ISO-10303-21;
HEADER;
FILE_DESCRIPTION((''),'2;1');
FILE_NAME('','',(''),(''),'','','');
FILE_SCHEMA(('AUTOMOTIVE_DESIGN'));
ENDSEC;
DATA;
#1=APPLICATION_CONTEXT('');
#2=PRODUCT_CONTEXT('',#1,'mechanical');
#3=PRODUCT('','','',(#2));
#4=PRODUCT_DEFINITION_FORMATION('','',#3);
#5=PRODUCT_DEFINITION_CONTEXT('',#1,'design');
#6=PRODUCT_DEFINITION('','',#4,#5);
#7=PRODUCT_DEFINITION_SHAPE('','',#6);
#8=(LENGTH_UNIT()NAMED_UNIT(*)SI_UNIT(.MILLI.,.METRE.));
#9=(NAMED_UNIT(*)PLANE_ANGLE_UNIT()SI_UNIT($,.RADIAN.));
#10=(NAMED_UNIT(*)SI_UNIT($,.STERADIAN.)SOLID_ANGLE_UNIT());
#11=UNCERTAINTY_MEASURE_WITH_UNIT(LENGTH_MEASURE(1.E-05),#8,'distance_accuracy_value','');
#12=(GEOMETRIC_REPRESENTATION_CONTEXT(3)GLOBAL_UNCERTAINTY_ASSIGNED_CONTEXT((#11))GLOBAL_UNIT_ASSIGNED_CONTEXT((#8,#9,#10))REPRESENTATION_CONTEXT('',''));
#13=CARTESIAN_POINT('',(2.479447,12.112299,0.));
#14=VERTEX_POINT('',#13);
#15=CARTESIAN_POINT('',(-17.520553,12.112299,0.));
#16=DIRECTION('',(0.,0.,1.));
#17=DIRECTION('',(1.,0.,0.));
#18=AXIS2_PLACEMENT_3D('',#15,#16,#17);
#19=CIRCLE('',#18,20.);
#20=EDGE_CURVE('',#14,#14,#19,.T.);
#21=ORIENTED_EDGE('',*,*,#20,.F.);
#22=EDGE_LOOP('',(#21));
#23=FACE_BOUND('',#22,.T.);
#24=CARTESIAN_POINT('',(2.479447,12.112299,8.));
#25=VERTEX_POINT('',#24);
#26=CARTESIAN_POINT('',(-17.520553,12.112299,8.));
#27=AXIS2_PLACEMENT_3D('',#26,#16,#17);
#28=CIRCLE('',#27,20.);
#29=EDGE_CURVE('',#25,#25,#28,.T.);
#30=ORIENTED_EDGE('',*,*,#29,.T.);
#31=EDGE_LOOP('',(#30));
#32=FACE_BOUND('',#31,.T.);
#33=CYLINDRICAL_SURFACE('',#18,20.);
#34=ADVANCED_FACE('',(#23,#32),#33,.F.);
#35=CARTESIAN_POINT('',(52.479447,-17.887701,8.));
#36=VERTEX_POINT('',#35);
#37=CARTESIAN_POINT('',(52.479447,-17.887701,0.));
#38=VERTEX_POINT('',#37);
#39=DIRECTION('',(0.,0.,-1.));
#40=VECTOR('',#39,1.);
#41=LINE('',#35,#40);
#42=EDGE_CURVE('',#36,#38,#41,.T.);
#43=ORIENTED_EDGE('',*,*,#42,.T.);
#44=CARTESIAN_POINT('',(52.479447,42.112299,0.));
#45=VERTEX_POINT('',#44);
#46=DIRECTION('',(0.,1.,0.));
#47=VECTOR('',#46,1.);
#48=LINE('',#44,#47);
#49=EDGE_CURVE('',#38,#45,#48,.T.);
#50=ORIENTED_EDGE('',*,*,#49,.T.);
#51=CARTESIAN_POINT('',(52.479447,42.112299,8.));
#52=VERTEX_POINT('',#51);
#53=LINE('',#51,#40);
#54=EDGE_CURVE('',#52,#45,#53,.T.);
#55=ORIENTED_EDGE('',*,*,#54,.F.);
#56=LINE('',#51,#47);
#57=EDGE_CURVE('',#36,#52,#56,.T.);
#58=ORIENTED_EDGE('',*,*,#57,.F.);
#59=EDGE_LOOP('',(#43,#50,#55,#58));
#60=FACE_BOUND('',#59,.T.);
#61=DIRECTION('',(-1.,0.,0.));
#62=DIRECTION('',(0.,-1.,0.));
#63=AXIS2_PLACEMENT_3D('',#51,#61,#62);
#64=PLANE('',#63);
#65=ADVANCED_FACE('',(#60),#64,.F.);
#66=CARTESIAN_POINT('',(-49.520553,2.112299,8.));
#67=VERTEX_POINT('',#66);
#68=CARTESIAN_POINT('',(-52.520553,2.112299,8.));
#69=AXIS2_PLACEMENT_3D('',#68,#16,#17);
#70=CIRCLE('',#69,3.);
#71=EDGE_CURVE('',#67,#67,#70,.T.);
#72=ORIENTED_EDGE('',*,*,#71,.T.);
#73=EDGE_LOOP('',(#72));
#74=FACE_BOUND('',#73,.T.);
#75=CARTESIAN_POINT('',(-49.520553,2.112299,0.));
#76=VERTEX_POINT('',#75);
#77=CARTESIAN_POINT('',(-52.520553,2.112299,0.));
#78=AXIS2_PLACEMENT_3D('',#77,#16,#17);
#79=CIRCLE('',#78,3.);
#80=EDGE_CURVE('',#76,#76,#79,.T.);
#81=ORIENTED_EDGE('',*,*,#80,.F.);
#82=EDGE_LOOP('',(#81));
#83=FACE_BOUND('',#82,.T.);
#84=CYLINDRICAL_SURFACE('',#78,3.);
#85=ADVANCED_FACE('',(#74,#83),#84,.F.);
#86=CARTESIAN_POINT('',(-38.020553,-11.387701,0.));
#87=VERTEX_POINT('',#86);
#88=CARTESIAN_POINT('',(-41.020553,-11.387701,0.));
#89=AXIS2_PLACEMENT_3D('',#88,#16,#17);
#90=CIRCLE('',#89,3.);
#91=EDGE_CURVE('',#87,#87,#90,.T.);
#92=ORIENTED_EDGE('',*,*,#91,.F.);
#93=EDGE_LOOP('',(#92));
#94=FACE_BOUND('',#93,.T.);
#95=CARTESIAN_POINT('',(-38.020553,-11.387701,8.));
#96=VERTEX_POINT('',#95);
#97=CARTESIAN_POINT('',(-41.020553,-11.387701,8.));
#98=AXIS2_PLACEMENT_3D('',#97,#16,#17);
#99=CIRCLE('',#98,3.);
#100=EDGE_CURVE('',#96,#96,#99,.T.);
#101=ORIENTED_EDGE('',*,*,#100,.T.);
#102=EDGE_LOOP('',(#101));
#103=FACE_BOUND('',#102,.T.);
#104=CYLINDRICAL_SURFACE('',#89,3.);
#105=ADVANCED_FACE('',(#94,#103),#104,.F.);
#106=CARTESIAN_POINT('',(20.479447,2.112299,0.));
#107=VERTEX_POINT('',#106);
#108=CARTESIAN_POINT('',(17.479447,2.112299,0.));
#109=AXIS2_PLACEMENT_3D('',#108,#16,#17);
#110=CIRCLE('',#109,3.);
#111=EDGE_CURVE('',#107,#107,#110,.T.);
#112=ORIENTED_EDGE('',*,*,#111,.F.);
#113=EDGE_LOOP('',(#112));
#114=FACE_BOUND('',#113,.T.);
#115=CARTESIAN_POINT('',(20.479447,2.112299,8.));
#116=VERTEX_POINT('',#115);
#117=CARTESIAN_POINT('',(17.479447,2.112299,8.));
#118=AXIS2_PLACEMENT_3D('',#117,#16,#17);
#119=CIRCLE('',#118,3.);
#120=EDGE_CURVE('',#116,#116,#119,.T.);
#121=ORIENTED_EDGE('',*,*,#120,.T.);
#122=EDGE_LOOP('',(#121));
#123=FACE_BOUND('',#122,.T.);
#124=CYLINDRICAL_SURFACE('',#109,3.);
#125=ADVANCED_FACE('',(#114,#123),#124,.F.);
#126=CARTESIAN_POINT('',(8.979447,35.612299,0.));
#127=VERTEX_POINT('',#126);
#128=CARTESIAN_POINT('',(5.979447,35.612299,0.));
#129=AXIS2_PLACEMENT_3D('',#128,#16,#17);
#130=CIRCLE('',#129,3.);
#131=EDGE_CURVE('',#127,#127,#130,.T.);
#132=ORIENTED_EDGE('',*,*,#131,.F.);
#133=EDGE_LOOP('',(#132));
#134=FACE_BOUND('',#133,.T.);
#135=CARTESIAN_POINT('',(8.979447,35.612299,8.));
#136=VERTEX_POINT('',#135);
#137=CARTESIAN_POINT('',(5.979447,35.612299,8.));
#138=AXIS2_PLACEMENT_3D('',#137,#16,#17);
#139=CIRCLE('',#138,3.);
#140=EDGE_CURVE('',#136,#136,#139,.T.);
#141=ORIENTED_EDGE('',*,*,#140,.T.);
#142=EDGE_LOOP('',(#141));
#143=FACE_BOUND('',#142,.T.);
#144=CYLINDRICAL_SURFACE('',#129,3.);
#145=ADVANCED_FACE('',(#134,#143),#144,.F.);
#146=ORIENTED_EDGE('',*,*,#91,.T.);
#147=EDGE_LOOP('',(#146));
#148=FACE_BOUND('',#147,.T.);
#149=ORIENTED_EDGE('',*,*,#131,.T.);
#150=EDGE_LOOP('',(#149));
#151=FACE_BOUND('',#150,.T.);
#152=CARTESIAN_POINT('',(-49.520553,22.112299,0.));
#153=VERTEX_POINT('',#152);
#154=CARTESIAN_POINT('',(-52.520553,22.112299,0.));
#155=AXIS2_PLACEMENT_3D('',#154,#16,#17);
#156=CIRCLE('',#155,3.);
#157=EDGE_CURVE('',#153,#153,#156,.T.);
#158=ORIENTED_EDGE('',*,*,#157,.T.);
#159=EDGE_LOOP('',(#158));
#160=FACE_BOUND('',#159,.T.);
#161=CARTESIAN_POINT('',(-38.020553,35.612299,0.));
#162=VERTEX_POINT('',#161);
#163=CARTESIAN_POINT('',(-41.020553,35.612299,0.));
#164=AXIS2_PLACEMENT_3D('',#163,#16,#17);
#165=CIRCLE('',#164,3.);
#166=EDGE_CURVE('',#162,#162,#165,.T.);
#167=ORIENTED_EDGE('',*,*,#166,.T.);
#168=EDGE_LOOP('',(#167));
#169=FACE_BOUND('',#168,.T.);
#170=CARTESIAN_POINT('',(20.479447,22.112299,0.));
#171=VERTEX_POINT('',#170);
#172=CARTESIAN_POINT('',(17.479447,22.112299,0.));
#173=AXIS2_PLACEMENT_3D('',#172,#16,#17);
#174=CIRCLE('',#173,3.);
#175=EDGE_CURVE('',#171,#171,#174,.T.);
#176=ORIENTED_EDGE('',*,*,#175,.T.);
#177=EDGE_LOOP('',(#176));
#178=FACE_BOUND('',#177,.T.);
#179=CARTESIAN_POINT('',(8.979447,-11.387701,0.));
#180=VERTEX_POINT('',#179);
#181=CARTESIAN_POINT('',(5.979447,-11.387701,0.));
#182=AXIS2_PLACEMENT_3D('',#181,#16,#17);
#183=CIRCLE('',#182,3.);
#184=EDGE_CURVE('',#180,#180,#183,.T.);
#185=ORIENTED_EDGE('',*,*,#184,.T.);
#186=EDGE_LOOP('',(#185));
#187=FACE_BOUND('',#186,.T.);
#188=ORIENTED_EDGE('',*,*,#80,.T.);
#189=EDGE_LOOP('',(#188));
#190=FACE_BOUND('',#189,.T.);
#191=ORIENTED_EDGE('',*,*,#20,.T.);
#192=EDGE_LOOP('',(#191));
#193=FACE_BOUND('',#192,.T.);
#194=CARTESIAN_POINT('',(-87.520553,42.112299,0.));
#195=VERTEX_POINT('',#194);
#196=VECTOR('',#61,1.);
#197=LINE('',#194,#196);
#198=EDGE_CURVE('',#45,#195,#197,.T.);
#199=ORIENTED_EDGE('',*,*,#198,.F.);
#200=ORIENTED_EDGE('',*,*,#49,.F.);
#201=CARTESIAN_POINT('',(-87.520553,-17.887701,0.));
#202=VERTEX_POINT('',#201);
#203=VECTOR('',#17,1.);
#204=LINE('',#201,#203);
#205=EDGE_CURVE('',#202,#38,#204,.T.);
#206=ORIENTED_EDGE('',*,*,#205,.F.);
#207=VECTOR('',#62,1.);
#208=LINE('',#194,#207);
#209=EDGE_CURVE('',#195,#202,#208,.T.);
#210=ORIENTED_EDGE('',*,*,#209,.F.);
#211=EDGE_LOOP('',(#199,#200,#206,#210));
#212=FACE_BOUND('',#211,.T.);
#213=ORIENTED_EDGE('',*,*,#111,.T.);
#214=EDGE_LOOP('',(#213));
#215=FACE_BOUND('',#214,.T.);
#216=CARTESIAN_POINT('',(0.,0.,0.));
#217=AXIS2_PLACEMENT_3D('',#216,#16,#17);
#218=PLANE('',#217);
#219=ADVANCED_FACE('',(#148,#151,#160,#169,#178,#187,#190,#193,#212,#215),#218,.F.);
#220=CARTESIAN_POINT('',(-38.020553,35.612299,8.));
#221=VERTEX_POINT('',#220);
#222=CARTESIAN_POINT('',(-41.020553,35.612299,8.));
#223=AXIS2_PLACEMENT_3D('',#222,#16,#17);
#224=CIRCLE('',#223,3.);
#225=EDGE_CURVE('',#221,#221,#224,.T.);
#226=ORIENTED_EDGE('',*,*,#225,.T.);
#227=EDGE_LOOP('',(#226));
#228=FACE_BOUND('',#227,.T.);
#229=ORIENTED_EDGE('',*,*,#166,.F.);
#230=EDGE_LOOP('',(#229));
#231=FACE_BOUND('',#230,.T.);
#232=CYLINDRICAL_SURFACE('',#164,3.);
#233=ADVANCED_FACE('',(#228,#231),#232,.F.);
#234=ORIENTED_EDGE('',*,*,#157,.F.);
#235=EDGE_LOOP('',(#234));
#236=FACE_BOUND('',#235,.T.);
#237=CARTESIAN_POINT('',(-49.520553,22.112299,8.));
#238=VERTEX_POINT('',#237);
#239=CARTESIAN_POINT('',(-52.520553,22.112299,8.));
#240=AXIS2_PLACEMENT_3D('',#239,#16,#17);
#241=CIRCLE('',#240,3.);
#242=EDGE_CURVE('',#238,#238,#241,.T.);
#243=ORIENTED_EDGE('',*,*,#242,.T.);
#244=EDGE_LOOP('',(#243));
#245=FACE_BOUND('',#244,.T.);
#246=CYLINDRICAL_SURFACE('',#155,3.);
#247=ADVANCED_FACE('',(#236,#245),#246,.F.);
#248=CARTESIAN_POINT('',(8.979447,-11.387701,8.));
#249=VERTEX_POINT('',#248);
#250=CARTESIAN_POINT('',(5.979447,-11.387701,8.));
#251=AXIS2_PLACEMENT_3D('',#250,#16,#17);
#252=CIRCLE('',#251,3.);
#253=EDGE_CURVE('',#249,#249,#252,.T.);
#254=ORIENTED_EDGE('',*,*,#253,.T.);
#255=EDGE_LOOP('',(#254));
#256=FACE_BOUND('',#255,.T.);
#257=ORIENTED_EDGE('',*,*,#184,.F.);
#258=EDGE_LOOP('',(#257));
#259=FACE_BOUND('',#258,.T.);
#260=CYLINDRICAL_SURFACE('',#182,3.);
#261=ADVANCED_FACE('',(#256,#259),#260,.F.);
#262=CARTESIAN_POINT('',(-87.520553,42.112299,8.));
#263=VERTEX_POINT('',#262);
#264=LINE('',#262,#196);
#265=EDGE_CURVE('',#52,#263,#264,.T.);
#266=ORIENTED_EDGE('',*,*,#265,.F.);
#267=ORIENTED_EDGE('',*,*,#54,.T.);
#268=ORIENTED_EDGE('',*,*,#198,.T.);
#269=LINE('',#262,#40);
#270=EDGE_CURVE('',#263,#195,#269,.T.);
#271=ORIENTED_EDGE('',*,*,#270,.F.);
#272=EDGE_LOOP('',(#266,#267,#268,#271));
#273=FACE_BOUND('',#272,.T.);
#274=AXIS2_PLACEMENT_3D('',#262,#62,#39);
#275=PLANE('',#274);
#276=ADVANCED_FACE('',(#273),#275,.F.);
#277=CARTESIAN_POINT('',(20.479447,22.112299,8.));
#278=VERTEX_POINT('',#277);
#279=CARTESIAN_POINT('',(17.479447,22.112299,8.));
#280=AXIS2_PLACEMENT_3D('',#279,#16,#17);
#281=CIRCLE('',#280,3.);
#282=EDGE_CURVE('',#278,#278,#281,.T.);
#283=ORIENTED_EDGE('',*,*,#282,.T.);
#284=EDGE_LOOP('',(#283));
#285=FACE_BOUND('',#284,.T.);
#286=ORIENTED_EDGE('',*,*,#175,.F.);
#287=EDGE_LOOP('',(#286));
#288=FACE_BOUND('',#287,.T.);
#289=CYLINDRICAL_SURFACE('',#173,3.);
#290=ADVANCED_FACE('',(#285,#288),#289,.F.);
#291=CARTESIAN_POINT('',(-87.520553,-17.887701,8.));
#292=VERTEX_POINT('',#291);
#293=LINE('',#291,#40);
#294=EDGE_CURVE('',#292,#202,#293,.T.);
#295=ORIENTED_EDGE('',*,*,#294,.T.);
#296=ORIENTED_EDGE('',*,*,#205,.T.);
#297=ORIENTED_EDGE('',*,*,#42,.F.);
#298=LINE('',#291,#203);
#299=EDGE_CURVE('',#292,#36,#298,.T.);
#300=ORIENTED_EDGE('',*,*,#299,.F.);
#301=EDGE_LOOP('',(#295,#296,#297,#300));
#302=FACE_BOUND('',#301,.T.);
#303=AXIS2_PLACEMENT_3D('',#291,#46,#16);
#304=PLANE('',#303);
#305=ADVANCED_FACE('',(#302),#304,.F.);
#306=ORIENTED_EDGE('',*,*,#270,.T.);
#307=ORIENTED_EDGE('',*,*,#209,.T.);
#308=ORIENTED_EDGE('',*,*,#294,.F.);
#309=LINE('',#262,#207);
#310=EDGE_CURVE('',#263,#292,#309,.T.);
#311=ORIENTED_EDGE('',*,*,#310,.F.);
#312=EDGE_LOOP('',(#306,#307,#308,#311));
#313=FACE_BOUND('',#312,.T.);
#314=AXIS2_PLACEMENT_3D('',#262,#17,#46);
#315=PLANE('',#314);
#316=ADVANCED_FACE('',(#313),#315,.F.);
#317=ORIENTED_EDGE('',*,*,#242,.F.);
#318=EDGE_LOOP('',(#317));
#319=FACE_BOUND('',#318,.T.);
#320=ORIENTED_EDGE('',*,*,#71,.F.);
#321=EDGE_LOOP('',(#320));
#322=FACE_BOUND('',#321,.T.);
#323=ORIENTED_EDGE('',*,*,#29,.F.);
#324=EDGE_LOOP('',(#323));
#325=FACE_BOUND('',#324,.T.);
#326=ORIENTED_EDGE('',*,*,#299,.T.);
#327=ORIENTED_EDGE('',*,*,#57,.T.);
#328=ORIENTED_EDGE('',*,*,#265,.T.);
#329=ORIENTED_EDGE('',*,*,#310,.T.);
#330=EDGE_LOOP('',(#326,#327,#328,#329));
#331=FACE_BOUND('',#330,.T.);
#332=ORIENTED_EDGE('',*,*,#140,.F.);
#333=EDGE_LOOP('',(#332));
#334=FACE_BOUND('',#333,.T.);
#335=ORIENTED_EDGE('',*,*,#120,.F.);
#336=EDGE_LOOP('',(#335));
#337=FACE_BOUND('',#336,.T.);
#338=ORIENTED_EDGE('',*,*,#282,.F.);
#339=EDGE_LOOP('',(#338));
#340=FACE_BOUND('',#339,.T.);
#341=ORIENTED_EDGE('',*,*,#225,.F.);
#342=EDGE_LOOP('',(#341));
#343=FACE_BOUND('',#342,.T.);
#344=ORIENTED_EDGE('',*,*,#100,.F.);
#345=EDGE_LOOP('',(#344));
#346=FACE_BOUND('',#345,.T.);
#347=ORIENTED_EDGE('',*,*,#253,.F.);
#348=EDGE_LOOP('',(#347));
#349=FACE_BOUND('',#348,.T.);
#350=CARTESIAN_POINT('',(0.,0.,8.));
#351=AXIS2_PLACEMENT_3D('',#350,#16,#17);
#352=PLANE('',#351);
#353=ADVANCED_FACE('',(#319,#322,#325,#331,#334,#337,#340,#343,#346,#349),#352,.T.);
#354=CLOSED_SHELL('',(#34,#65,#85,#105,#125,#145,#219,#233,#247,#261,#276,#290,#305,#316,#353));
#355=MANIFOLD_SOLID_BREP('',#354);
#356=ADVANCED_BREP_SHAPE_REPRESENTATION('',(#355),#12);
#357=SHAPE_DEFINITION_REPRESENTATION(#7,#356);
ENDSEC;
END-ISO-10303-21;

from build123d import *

# Parameters (mm, degrees)
ESQUISSE1_W             = 140
ESQUISSE1_H             = 60
BOSS_EXTRU_1_DEPTH      = 8
ESQUISSE2_R             = 20
ESQUISSE2_R_2           = 3
ENL_V_MAT_EXTRU_1_DEPTH = 9


with BuildPart() as part:
    # Esquisse1 → Boss.-Extru.1 (new body)
    with BuildSketch(Plane.XY):
        with Locations((-17.520553251, 12.112299465)):
            Rectangle(ESQUISSE1_W, ESQUISSE1_H)
    extrude(amount=BOSS_EXTRU_1_DEPTH)

    # Esquisse2 → Enlèv. mat.-Extru.1 (cut, through all)
    with BuildSketch(Plane.XY.offset(8)):
        with Locations((-17.520553251, 12.112299465)):
            Circle(ESQUISSE2_R)
        with Locations((-41.020553251, 35.612299465)):
            Circle(ESQUISSE2_R_2)
        with Locations((-41.020553251, -11.387700535)):
            Circle(ESQUISSE2_R_2)
        with Locations((5.979446749, 35.612299465)):
            Circle(ESQUISSE2_R_2)
        with Locations((5.979446749, -11.387700535)):
            Circle(ESQUISSE2_R_2)
        with Locations((-52.520553251, 22.112299465)):
            Circle(ESQUISSE2_R_2)
        with Locations((-52.520553251, 2.112299465)):
            Circle(ESQUISSE2_R_2)
        with Locations((17.479446749, 22.112299465)):
            Circle(ESQUISSE2_R_2)
        with Locations((17.479446749, 2.112299465)):
            Circle(ESQUISSE2_R_2)
    extrude(amount=-ENL_V_MAT_EXTRU_1_DEPTH, mode=Mode.SUBTRACT)


solid = part.part
